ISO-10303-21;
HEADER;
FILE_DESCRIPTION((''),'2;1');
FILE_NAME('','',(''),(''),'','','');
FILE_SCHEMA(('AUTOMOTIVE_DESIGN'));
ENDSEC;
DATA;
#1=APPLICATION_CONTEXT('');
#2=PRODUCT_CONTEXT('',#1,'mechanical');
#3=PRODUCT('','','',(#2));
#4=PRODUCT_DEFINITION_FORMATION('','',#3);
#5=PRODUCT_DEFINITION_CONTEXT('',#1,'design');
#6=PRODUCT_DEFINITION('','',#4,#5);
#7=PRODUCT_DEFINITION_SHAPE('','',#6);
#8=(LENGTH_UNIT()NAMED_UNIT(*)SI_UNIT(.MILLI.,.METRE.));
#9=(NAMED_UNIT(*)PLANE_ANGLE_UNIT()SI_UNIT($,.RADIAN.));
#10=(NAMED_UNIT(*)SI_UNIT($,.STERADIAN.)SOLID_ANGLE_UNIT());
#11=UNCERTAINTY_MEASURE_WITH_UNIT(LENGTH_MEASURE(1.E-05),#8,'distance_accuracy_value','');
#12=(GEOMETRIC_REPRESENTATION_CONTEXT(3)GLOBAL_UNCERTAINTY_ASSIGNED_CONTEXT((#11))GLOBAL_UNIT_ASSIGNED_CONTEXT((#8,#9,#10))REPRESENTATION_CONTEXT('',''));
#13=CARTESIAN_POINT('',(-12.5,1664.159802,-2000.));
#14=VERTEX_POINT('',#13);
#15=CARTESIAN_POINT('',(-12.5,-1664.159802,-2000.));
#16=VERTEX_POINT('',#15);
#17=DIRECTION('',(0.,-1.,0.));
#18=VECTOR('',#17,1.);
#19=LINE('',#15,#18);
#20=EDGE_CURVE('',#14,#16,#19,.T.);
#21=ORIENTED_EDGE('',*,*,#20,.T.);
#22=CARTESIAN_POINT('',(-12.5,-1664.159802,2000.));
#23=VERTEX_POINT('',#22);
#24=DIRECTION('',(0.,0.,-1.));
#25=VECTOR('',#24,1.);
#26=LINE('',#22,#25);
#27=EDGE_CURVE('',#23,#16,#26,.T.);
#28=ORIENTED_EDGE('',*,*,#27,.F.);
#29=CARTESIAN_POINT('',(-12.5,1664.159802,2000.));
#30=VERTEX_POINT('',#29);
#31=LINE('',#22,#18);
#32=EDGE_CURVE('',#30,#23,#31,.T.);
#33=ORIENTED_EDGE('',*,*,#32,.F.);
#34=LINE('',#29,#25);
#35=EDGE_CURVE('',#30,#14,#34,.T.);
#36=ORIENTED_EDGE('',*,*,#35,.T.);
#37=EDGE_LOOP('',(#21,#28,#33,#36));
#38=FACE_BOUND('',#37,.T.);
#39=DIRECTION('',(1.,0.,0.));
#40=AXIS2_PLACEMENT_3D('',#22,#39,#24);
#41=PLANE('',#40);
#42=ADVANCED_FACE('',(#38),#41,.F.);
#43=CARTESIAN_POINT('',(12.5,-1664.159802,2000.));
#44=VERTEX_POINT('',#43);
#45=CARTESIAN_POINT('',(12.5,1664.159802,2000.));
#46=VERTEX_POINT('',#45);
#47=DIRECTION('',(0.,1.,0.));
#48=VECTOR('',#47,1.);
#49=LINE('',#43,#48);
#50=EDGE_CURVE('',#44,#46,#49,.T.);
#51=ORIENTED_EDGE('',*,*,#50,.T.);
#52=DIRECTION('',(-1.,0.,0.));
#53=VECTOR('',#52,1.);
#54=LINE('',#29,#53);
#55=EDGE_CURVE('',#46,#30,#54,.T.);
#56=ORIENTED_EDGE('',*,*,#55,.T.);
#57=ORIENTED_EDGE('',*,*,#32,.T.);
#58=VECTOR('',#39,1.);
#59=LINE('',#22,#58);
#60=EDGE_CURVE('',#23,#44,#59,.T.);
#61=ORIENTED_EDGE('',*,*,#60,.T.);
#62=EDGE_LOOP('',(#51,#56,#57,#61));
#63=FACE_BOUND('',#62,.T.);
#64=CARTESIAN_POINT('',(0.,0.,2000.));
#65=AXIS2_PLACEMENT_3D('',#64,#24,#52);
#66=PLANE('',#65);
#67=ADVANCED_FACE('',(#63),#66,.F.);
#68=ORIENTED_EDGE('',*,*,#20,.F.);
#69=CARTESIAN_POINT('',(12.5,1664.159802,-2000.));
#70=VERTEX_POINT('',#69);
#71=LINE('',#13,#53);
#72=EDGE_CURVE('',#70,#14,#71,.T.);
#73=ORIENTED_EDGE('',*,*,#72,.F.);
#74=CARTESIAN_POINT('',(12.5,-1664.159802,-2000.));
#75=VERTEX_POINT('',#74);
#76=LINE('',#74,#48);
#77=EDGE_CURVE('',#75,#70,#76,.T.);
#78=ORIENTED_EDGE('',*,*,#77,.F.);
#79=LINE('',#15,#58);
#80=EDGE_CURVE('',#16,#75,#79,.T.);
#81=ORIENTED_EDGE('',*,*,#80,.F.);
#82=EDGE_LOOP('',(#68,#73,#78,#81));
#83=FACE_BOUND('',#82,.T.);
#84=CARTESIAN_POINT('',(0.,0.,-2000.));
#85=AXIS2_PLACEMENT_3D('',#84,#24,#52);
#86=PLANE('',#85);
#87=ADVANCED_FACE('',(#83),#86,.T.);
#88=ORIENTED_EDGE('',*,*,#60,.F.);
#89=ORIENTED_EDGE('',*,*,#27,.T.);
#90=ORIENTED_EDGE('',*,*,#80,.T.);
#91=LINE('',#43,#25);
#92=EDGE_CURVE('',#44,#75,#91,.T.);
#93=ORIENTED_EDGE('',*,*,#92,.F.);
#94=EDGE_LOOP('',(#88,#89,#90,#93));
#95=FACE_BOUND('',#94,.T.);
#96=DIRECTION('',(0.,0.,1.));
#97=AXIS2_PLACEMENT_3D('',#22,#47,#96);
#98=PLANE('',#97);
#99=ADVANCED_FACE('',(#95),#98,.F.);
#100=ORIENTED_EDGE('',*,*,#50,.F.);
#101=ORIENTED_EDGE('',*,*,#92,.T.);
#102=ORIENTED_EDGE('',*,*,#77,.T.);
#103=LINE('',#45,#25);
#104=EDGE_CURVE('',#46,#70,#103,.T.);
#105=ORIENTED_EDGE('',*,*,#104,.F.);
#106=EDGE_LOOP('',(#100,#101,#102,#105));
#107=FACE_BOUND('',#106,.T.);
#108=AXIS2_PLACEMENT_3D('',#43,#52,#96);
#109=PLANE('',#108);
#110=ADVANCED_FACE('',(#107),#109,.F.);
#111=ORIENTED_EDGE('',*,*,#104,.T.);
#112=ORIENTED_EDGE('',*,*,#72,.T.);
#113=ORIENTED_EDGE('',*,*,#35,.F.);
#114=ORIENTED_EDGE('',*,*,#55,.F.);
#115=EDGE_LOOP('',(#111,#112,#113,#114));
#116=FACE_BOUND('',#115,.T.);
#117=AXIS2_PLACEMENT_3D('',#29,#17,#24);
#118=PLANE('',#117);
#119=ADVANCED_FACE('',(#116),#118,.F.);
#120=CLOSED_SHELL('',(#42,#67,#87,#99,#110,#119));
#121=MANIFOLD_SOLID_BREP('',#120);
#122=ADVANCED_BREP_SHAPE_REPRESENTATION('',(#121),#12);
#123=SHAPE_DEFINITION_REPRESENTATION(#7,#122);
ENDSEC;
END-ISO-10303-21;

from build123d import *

# Parameters (mm, degrees)
BOSS_EXTRUDE1_START = -2000
SKETCH1_W           = 25
SKETCH1_H           = 3328.319603618
BOSS_EXTRUDE1_DEPTH = 4000


with BuildPart() as part:
    # Sketch1 → Boss-Extrude1 (new body)
    with BuildSketch(Plane.XY.offset(BOSS_EXTRUDE1_START)):
        Rectangle(SKETCH1_W, SKETCH1_H)
    extrude(amount=BOSS_EXTRUDE1_DEPTH)


solid = part.part
